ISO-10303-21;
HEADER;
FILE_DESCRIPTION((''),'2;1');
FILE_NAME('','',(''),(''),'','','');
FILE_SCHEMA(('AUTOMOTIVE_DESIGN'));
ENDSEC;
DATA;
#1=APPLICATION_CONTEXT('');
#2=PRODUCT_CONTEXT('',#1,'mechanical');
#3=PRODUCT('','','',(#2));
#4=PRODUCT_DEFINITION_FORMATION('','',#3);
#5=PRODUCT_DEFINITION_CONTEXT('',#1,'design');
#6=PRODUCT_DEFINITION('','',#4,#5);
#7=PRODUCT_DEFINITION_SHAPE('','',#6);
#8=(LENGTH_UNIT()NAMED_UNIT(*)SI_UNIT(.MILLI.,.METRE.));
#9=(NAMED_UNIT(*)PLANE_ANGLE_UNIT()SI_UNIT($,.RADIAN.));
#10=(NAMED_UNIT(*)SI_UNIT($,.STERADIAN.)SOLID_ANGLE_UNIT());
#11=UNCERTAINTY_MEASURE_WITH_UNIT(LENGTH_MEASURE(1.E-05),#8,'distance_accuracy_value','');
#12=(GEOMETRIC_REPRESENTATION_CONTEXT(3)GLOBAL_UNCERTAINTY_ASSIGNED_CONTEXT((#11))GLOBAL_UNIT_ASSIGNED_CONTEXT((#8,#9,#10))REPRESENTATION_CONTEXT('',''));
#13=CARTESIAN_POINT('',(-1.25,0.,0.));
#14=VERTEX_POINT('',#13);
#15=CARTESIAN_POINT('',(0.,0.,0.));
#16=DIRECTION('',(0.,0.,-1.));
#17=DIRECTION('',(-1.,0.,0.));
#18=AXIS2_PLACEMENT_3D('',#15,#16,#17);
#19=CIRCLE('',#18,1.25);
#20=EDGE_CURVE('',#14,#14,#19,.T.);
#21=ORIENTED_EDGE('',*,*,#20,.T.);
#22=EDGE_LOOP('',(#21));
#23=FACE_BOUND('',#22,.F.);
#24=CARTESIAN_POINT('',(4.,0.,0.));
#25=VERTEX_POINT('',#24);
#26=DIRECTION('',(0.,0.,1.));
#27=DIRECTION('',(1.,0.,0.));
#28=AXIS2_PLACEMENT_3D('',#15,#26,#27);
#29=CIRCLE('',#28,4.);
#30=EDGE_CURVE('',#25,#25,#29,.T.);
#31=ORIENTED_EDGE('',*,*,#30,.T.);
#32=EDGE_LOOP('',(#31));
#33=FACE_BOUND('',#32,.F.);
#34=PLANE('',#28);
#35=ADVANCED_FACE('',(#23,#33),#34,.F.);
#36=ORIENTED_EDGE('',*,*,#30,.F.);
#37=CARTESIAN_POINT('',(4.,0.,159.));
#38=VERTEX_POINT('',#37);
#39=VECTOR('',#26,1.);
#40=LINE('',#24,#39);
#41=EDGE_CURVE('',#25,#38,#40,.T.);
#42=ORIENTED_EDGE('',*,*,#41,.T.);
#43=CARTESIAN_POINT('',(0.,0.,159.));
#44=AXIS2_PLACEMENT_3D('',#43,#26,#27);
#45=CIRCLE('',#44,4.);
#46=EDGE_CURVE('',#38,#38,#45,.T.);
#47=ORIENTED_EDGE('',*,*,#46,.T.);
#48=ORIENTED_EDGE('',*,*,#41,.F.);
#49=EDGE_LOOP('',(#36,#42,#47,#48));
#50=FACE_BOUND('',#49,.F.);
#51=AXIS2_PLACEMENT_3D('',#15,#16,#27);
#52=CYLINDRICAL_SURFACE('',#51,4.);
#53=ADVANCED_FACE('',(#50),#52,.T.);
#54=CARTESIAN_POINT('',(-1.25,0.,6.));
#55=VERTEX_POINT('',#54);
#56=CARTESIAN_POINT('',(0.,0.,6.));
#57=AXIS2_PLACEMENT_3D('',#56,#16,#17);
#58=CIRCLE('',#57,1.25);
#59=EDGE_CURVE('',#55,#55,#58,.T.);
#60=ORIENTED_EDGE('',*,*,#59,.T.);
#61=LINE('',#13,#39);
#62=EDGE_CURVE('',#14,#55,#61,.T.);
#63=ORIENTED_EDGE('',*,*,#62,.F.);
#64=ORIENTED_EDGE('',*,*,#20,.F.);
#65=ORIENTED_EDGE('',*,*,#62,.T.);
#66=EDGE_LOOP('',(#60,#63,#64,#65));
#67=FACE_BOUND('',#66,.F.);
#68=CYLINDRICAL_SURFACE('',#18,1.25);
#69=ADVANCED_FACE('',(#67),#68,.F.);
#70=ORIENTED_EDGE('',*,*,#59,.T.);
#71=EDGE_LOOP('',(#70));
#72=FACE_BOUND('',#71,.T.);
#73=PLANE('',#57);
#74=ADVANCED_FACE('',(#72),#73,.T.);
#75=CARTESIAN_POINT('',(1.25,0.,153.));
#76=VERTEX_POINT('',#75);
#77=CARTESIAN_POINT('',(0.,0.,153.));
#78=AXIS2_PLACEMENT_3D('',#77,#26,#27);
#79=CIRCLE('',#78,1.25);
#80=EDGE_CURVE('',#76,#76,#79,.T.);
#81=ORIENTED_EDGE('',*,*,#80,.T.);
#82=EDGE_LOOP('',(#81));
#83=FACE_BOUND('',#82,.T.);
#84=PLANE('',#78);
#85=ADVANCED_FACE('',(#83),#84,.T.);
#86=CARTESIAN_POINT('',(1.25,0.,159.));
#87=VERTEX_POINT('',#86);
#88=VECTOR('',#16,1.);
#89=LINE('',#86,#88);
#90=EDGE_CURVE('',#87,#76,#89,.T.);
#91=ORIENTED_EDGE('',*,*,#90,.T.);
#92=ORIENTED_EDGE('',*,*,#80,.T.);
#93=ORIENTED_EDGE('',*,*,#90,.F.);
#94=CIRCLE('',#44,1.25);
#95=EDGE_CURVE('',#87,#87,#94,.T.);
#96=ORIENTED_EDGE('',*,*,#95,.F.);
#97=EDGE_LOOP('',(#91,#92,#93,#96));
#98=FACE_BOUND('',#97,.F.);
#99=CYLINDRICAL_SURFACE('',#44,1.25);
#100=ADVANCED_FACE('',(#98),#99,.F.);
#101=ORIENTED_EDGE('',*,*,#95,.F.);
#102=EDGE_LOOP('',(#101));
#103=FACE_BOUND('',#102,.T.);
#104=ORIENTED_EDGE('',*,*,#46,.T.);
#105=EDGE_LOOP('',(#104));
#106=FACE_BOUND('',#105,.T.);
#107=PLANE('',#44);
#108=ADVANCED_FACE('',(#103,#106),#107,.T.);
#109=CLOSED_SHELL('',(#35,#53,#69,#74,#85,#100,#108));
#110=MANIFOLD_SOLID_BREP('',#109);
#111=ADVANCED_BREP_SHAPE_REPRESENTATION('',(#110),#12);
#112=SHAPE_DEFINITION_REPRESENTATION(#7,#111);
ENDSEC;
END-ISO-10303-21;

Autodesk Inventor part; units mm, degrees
ref_plane "YZ Plane" through (0, 0, 0) normal (1, 0, 0) x (0, 1, 0)
ref_plane "XZ Plane" through (0, 0, 0) normal (0, 1, 0) x (-1, 0, 0)
ref_plane "XY Plane" through (0, 0, 0) normal (0, 0, 1) x (1, 0, 0)
sketch "スケッチ1" plane through (0, 0, 0) normal (0, 0, 1) x (1, 0, 0)
  circle A0 centre (0, 0) radius 4
  dimension "d0" = 8
extrude "押し出し1" add sketch "スケッチ1" along normal blind 159
sketch "スケッチ2" plane through (0, 0, 0) normal (0, 0, -1) x (-1, 0, 0)
  circle A0 centre (0, 0) radius 4 projected
  circle A1 centre (0, 0) radius 1.25
  dimension "d3" = 2.5
extrude "押し出し2" cut sketch "スケッチ2" against normal blind 6 contours A1
sketch "スケッチ3" plane through (0, 0, 159) normal (0, 0, 1) x (1, 0, 0)
  circle A0 centre (0, 0) radius 4 projected
  circle A1 centre (0, 0) radius 1.25 projected
  circle A2 centre (0, 0) radius 1.25
  dimension "d6" = 2.5
extrude "押し出し3" cut sketch "スケッチ3" against normal blind 6 contours A1
properties part number "シャフト　ポリカ" material "ポリカーボネート、クリア"
